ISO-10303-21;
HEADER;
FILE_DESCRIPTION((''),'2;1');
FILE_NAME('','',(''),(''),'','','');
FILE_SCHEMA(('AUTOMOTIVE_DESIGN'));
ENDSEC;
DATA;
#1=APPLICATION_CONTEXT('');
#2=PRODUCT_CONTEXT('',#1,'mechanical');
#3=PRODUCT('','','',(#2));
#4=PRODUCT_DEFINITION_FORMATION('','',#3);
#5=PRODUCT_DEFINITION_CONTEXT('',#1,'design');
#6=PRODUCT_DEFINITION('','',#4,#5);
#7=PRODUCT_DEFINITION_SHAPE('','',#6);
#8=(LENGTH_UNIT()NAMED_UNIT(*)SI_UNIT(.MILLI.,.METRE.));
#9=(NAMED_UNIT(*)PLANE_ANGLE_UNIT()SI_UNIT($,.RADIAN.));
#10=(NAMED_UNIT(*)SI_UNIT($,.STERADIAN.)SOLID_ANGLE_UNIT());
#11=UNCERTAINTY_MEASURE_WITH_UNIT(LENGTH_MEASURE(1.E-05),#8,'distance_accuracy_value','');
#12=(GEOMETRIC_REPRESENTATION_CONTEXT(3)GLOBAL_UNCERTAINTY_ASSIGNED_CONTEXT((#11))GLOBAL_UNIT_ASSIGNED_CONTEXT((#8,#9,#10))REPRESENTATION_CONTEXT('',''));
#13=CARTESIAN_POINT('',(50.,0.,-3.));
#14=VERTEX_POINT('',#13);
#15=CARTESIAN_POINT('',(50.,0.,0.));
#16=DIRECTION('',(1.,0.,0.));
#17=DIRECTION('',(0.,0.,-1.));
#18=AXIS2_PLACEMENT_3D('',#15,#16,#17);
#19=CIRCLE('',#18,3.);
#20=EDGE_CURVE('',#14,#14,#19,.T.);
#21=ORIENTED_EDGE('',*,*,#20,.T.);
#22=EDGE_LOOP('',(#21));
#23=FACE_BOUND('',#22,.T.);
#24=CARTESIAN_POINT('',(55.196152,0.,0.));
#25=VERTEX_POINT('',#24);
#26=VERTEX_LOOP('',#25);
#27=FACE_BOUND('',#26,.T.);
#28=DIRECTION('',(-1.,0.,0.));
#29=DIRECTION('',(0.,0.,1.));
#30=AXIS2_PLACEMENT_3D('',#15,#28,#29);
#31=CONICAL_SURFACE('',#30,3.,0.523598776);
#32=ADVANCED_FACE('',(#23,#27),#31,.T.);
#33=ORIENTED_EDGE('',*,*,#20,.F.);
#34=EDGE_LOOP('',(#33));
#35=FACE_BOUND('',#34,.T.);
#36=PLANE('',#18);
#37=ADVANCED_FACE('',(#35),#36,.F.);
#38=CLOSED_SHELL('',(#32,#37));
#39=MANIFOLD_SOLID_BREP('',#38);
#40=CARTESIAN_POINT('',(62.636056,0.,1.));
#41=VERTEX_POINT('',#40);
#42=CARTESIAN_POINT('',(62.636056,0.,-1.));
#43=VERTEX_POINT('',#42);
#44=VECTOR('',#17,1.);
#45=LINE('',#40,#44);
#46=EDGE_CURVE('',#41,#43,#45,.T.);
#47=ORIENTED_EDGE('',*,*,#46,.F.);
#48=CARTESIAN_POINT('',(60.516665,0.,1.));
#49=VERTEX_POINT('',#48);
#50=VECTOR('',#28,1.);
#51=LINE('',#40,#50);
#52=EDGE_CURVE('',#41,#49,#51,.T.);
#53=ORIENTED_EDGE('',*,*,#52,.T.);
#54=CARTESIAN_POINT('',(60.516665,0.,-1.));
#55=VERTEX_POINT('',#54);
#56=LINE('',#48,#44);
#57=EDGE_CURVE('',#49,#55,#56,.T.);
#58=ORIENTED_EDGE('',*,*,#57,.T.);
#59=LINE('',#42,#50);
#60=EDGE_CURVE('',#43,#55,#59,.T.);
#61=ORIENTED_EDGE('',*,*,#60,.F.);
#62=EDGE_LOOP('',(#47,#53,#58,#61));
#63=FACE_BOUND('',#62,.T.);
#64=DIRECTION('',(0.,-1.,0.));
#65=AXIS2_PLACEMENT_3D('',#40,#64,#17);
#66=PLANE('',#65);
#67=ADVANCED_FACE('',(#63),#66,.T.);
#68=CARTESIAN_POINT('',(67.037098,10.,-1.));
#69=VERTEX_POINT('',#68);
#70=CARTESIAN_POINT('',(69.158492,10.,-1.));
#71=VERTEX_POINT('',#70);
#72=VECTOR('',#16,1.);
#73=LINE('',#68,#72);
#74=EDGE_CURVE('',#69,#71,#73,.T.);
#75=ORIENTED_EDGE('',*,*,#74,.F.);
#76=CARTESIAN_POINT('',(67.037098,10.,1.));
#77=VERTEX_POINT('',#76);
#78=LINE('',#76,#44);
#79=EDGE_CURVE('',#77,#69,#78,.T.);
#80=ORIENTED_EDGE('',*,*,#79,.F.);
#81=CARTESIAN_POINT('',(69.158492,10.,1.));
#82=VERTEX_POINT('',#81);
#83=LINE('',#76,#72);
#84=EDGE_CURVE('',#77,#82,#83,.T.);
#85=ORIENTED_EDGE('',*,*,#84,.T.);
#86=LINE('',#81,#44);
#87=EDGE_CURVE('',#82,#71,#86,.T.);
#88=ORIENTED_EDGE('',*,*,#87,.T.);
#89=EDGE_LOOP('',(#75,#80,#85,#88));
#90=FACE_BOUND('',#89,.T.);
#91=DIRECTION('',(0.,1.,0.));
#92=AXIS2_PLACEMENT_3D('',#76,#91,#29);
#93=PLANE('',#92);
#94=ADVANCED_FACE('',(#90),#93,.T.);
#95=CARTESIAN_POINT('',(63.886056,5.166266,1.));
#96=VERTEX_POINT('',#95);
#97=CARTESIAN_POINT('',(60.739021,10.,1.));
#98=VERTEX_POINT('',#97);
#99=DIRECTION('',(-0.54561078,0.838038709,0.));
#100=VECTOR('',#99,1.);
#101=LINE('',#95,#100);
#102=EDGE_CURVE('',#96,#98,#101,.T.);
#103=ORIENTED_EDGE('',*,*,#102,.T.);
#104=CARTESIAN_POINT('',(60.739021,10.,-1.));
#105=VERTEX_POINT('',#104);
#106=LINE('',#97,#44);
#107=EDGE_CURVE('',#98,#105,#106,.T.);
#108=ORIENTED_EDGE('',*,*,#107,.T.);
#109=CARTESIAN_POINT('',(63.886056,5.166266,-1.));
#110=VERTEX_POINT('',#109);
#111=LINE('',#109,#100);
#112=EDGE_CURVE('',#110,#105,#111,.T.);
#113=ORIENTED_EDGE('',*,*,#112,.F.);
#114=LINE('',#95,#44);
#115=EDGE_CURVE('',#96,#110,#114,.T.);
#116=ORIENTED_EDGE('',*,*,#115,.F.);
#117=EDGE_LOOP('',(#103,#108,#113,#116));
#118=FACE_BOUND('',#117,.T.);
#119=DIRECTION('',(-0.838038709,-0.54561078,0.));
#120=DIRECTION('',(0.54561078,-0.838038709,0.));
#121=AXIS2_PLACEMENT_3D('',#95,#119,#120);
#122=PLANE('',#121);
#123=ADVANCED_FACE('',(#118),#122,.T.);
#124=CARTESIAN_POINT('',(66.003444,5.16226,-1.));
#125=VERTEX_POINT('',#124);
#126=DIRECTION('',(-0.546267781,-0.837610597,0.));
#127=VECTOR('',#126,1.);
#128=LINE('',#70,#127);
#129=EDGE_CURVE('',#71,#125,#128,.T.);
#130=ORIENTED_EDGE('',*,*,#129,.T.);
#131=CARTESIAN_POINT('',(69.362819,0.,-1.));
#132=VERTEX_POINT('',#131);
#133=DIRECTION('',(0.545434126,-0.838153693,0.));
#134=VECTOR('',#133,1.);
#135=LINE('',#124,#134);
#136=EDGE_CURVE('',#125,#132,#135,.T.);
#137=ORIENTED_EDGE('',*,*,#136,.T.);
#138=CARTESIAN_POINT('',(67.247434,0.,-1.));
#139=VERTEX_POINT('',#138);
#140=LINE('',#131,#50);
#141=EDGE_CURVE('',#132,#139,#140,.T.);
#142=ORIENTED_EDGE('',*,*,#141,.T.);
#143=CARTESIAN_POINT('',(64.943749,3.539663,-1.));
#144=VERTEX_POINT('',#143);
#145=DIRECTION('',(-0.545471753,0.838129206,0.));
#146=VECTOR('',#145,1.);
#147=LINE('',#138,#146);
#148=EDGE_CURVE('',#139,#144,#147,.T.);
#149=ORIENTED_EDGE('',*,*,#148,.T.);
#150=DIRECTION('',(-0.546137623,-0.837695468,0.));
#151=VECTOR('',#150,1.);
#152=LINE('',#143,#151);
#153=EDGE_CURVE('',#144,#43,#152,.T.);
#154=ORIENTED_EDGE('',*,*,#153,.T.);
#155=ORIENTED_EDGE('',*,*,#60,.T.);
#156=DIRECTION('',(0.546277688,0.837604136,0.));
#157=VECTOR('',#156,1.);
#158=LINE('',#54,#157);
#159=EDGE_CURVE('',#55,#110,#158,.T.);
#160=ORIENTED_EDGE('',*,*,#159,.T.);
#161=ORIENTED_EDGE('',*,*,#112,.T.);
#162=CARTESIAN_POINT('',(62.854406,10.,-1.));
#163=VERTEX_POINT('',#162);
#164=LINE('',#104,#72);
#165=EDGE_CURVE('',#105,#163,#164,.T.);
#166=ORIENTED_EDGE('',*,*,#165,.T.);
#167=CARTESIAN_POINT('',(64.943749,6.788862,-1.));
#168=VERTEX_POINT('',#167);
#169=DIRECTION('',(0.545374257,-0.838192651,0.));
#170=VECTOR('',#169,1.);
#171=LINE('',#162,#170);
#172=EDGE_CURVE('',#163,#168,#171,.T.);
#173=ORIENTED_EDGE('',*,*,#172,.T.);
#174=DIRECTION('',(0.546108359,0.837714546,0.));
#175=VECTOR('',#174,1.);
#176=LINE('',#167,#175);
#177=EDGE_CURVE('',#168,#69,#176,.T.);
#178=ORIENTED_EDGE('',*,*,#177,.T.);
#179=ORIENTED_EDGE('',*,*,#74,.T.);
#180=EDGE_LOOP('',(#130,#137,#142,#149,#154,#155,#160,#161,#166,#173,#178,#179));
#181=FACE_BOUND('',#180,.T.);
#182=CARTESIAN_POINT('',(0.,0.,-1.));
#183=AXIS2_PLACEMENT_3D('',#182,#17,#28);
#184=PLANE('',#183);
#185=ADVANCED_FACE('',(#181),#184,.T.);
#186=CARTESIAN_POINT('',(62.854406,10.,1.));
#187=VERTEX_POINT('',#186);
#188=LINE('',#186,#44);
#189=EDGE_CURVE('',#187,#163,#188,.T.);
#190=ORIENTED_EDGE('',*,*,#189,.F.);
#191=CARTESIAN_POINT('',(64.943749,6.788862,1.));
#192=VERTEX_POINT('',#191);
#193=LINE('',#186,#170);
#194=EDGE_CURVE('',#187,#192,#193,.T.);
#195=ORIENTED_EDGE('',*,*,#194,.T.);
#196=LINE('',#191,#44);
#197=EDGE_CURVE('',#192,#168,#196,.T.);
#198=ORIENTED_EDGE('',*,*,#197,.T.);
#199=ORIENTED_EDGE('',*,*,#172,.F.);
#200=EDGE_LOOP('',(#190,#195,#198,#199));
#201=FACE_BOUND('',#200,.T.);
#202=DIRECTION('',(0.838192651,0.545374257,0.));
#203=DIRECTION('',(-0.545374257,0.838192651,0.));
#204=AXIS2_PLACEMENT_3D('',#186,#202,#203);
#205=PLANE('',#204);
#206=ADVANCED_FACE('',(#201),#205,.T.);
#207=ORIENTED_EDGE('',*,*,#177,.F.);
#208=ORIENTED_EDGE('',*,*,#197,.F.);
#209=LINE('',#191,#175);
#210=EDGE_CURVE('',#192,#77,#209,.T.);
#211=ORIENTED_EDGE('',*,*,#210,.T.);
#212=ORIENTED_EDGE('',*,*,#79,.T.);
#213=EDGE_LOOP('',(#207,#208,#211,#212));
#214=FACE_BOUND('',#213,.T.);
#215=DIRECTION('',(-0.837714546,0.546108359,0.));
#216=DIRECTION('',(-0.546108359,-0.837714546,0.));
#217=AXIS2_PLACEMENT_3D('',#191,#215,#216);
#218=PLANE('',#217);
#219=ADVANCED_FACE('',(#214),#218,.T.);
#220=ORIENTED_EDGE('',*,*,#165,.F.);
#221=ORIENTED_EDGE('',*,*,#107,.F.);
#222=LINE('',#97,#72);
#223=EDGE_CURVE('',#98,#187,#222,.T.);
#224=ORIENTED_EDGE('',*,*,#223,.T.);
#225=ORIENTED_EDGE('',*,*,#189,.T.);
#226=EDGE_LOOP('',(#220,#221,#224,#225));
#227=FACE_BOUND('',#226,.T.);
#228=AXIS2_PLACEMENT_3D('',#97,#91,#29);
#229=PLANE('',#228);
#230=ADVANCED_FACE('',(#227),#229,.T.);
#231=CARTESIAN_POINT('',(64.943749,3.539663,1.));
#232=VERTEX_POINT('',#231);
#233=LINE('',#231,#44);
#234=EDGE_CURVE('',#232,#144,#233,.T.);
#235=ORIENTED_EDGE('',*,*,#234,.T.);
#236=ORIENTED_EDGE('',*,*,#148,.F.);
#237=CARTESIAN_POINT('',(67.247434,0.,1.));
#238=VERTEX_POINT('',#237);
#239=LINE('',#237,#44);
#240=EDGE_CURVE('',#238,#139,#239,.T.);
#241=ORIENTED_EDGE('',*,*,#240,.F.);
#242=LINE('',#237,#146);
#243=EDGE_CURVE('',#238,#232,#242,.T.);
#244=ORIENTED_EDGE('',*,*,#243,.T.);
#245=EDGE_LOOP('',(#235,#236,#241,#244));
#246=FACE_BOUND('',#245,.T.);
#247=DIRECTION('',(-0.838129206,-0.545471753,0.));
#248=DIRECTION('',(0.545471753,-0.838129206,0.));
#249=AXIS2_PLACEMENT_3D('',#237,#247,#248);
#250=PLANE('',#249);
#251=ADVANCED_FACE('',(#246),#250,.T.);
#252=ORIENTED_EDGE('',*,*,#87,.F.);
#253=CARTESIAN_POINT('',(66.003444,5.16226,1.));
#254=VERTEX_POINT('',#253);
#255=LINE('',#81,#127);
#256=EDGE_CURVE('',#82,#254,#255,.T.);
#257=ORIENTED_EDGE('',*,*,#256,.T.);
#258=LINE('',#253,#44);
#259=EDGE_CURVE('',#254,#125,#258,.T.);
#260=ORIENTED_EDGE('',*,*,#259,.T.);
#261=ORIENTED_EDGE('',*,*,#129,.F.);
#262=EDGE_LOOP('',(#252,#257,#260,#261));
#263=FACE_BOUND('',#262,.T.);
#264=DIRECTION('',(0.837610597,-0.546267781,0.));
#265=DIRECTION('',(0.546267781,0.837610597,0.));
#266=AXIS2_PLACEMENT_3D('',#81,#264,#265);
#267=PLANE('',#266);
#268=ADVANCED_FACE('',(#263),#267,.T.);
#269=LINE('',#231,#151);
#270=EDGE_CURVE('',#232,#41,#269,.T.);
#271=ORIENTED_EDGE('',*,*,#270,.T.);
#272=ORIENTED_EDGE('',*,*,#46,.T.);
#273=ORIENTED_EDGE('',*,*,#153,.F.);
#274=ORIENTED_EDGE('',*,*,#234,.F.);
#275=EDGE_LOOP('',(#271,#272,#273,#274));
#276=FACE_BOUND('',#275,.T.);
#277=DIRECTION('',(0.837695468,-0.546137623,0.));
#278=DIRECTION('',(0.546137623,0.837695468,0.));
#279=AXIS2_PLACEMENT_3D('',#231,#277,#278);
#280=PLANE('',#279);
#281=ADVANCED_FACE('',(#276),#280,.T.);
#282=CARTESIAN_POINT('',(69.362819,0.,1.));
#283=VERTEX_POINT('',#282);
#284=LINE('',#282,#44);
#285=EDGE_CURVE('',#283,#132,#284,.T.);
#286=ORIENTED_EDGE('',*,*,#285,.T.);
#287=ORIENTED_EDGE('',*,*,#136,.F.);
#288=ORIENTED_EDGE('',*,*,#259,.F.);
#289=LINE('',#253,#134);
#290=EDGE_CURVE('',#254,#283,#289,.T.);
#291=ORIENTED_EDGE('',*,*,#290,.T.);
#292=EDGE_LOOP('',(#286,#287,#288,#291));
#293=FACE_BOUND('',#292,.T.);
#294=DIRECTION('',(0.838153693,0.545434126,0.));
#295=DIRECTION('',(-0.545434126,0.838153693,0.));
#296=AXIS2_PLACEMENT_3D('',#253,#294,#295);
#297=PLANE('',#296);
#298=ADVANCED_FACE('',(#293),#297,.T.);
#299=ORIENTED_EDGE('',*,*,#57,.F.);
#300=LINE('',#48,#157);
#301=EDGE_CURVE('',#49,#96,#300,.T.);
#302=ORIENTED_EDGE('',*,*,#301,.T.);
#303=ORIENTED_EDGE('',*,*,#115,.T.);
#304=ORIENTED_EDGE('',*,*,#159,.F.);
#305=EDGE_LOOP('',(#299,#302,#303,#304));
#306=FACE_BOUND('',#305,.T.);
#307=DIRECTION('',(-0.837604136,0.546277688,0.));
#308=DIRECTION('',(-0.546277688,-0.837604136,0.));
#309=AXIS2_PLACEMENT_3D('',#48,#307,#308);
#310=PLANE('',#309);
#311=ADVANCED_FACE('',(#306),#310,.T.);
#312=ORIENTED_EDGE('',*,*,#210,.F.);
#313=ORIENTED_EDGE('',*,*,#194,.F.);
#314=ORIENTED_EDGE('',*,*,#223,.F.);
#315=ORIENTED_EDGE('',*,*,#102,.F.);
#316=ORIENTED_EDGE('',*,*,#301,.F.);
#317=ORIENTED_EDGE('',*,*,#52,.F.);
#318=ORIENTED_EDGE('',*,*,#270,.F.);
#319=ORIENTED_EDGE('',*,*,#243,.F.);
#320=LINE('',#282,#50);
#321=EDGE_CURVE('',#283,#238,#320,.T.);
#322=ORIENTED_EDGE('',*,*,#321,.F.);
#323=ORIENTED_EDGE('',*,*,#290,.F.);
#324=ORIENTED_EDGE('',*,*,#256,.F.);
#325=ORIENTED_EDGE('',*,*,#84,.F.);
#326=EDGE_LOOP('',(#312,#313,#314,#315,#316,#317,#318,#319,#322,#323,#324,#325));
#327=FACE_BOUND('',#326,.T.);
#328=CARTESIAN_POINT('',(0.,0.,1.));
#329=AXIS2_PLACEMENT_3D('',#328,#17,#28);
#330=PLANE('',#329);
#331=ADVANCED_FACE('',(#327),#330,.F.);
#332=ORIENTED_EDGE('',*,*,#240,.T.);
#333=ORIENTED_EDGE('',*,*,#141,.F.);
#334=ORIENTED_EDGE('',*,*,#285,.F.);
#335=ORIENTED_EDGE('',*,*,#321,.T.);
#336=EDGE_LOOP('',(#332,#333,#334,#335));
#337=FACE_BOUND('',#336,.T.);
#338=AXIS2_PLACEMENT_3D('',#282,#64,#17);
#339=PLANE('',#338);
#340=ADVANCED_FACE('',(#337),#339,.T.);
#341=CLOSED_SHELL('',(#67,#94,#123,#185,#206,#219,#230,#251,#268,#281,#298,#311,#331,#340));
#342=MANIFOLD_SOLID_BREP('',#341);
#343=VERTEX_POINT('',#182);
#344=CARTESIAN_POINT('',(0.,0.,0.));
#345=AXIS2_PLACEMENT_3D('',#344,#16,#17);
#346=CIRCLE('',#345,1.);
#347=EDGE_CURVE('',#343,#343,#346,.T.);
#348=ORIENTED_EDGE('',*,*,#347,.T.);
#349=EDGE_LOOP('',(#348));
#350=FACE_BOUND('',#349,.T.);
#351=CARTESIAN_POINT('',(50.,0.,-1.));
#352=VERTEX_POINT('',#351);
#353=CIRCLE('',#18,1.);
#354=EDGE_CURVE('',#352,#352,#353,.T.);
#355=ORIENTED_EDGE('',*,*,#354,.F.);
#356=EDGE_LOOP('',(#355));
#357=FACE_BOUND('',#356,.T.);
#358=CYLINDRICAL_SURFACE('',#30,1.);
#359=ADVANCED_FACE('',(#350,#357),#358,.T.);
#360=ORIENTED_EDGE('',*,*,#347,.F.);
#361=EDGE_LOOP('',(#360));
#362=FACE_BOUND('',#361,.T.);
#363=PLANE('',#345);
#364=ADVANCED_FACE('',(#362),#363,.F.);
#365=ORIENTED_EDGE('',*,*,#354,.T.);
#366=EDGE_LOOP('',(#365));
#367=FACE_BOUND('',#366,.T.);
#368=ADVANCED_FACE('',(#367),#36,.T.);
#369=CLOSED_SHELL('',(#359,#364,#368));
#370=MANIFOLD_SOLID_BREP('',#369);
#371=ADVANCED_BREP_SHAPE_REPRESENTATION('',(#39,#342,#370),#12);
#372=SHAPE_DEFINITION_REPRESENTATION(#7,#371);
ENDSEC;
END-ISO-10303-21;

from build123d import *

# Parameters (mm, degrees)
SKETCH1_R           = 1
BOSS_EXTRUDE1_DEPTH = 50
BOSS_EXTRUDE2_DEPTH = 1


with BuildPart() as part:
    # Sketch1 → Boss-Extrude1 (new body)
    with BuildSketch(Plane(origin=(0, 0, 0), x_dir=(0, 0, -1), z_dir=(1, 0, 0))):
        Circle(SKETCH1_R)
    extrude(amount=BOSS_EXTRUDE1_DEPTH)


with BuildPart() as body_2:
    # Sketch4 → Revolve1 (revolve)
    with BuildSketch(Plane(origin=(0, 0, 0), x_dir=(1, 0, 0), z_dir=(0, 1, 0)), mode=Mode.PRIVATE) as revolve1_sk:
        Polygon((50, 0), (50, 3), (55.196152423, 0), align=None)
    revolve(revolve1_sk.sketch.rotate(Axis((50, 0, 0), (1, 0, 0)), 180), axis=Axis((50, 0, 0), (1, 0, 0)))


with BuildPart() as body_3:
    # Sketch5 → Boss-Extrude2 (new, symmetric)
    with BuildSketch(Plane.XY):
        Polygon((60.739021012, 10), (62.854405628, 10), (64.943748577, 6.788862179), (67.037097936, 10), (69.158492166, 10), (66.003444089, 5.162259615), (69.362819089, 0), (67.247434474, 0), (64.943748577, 3.539663462), (62.636056269, 0), (60.516665243, 0), (63.886056269, 5.166266026), align=None)
    extrude(amount=BOSS_EXTRUDE2_DEPTH, both=True)


solid = Compound([part.part, body_2.part, body_3.part])
